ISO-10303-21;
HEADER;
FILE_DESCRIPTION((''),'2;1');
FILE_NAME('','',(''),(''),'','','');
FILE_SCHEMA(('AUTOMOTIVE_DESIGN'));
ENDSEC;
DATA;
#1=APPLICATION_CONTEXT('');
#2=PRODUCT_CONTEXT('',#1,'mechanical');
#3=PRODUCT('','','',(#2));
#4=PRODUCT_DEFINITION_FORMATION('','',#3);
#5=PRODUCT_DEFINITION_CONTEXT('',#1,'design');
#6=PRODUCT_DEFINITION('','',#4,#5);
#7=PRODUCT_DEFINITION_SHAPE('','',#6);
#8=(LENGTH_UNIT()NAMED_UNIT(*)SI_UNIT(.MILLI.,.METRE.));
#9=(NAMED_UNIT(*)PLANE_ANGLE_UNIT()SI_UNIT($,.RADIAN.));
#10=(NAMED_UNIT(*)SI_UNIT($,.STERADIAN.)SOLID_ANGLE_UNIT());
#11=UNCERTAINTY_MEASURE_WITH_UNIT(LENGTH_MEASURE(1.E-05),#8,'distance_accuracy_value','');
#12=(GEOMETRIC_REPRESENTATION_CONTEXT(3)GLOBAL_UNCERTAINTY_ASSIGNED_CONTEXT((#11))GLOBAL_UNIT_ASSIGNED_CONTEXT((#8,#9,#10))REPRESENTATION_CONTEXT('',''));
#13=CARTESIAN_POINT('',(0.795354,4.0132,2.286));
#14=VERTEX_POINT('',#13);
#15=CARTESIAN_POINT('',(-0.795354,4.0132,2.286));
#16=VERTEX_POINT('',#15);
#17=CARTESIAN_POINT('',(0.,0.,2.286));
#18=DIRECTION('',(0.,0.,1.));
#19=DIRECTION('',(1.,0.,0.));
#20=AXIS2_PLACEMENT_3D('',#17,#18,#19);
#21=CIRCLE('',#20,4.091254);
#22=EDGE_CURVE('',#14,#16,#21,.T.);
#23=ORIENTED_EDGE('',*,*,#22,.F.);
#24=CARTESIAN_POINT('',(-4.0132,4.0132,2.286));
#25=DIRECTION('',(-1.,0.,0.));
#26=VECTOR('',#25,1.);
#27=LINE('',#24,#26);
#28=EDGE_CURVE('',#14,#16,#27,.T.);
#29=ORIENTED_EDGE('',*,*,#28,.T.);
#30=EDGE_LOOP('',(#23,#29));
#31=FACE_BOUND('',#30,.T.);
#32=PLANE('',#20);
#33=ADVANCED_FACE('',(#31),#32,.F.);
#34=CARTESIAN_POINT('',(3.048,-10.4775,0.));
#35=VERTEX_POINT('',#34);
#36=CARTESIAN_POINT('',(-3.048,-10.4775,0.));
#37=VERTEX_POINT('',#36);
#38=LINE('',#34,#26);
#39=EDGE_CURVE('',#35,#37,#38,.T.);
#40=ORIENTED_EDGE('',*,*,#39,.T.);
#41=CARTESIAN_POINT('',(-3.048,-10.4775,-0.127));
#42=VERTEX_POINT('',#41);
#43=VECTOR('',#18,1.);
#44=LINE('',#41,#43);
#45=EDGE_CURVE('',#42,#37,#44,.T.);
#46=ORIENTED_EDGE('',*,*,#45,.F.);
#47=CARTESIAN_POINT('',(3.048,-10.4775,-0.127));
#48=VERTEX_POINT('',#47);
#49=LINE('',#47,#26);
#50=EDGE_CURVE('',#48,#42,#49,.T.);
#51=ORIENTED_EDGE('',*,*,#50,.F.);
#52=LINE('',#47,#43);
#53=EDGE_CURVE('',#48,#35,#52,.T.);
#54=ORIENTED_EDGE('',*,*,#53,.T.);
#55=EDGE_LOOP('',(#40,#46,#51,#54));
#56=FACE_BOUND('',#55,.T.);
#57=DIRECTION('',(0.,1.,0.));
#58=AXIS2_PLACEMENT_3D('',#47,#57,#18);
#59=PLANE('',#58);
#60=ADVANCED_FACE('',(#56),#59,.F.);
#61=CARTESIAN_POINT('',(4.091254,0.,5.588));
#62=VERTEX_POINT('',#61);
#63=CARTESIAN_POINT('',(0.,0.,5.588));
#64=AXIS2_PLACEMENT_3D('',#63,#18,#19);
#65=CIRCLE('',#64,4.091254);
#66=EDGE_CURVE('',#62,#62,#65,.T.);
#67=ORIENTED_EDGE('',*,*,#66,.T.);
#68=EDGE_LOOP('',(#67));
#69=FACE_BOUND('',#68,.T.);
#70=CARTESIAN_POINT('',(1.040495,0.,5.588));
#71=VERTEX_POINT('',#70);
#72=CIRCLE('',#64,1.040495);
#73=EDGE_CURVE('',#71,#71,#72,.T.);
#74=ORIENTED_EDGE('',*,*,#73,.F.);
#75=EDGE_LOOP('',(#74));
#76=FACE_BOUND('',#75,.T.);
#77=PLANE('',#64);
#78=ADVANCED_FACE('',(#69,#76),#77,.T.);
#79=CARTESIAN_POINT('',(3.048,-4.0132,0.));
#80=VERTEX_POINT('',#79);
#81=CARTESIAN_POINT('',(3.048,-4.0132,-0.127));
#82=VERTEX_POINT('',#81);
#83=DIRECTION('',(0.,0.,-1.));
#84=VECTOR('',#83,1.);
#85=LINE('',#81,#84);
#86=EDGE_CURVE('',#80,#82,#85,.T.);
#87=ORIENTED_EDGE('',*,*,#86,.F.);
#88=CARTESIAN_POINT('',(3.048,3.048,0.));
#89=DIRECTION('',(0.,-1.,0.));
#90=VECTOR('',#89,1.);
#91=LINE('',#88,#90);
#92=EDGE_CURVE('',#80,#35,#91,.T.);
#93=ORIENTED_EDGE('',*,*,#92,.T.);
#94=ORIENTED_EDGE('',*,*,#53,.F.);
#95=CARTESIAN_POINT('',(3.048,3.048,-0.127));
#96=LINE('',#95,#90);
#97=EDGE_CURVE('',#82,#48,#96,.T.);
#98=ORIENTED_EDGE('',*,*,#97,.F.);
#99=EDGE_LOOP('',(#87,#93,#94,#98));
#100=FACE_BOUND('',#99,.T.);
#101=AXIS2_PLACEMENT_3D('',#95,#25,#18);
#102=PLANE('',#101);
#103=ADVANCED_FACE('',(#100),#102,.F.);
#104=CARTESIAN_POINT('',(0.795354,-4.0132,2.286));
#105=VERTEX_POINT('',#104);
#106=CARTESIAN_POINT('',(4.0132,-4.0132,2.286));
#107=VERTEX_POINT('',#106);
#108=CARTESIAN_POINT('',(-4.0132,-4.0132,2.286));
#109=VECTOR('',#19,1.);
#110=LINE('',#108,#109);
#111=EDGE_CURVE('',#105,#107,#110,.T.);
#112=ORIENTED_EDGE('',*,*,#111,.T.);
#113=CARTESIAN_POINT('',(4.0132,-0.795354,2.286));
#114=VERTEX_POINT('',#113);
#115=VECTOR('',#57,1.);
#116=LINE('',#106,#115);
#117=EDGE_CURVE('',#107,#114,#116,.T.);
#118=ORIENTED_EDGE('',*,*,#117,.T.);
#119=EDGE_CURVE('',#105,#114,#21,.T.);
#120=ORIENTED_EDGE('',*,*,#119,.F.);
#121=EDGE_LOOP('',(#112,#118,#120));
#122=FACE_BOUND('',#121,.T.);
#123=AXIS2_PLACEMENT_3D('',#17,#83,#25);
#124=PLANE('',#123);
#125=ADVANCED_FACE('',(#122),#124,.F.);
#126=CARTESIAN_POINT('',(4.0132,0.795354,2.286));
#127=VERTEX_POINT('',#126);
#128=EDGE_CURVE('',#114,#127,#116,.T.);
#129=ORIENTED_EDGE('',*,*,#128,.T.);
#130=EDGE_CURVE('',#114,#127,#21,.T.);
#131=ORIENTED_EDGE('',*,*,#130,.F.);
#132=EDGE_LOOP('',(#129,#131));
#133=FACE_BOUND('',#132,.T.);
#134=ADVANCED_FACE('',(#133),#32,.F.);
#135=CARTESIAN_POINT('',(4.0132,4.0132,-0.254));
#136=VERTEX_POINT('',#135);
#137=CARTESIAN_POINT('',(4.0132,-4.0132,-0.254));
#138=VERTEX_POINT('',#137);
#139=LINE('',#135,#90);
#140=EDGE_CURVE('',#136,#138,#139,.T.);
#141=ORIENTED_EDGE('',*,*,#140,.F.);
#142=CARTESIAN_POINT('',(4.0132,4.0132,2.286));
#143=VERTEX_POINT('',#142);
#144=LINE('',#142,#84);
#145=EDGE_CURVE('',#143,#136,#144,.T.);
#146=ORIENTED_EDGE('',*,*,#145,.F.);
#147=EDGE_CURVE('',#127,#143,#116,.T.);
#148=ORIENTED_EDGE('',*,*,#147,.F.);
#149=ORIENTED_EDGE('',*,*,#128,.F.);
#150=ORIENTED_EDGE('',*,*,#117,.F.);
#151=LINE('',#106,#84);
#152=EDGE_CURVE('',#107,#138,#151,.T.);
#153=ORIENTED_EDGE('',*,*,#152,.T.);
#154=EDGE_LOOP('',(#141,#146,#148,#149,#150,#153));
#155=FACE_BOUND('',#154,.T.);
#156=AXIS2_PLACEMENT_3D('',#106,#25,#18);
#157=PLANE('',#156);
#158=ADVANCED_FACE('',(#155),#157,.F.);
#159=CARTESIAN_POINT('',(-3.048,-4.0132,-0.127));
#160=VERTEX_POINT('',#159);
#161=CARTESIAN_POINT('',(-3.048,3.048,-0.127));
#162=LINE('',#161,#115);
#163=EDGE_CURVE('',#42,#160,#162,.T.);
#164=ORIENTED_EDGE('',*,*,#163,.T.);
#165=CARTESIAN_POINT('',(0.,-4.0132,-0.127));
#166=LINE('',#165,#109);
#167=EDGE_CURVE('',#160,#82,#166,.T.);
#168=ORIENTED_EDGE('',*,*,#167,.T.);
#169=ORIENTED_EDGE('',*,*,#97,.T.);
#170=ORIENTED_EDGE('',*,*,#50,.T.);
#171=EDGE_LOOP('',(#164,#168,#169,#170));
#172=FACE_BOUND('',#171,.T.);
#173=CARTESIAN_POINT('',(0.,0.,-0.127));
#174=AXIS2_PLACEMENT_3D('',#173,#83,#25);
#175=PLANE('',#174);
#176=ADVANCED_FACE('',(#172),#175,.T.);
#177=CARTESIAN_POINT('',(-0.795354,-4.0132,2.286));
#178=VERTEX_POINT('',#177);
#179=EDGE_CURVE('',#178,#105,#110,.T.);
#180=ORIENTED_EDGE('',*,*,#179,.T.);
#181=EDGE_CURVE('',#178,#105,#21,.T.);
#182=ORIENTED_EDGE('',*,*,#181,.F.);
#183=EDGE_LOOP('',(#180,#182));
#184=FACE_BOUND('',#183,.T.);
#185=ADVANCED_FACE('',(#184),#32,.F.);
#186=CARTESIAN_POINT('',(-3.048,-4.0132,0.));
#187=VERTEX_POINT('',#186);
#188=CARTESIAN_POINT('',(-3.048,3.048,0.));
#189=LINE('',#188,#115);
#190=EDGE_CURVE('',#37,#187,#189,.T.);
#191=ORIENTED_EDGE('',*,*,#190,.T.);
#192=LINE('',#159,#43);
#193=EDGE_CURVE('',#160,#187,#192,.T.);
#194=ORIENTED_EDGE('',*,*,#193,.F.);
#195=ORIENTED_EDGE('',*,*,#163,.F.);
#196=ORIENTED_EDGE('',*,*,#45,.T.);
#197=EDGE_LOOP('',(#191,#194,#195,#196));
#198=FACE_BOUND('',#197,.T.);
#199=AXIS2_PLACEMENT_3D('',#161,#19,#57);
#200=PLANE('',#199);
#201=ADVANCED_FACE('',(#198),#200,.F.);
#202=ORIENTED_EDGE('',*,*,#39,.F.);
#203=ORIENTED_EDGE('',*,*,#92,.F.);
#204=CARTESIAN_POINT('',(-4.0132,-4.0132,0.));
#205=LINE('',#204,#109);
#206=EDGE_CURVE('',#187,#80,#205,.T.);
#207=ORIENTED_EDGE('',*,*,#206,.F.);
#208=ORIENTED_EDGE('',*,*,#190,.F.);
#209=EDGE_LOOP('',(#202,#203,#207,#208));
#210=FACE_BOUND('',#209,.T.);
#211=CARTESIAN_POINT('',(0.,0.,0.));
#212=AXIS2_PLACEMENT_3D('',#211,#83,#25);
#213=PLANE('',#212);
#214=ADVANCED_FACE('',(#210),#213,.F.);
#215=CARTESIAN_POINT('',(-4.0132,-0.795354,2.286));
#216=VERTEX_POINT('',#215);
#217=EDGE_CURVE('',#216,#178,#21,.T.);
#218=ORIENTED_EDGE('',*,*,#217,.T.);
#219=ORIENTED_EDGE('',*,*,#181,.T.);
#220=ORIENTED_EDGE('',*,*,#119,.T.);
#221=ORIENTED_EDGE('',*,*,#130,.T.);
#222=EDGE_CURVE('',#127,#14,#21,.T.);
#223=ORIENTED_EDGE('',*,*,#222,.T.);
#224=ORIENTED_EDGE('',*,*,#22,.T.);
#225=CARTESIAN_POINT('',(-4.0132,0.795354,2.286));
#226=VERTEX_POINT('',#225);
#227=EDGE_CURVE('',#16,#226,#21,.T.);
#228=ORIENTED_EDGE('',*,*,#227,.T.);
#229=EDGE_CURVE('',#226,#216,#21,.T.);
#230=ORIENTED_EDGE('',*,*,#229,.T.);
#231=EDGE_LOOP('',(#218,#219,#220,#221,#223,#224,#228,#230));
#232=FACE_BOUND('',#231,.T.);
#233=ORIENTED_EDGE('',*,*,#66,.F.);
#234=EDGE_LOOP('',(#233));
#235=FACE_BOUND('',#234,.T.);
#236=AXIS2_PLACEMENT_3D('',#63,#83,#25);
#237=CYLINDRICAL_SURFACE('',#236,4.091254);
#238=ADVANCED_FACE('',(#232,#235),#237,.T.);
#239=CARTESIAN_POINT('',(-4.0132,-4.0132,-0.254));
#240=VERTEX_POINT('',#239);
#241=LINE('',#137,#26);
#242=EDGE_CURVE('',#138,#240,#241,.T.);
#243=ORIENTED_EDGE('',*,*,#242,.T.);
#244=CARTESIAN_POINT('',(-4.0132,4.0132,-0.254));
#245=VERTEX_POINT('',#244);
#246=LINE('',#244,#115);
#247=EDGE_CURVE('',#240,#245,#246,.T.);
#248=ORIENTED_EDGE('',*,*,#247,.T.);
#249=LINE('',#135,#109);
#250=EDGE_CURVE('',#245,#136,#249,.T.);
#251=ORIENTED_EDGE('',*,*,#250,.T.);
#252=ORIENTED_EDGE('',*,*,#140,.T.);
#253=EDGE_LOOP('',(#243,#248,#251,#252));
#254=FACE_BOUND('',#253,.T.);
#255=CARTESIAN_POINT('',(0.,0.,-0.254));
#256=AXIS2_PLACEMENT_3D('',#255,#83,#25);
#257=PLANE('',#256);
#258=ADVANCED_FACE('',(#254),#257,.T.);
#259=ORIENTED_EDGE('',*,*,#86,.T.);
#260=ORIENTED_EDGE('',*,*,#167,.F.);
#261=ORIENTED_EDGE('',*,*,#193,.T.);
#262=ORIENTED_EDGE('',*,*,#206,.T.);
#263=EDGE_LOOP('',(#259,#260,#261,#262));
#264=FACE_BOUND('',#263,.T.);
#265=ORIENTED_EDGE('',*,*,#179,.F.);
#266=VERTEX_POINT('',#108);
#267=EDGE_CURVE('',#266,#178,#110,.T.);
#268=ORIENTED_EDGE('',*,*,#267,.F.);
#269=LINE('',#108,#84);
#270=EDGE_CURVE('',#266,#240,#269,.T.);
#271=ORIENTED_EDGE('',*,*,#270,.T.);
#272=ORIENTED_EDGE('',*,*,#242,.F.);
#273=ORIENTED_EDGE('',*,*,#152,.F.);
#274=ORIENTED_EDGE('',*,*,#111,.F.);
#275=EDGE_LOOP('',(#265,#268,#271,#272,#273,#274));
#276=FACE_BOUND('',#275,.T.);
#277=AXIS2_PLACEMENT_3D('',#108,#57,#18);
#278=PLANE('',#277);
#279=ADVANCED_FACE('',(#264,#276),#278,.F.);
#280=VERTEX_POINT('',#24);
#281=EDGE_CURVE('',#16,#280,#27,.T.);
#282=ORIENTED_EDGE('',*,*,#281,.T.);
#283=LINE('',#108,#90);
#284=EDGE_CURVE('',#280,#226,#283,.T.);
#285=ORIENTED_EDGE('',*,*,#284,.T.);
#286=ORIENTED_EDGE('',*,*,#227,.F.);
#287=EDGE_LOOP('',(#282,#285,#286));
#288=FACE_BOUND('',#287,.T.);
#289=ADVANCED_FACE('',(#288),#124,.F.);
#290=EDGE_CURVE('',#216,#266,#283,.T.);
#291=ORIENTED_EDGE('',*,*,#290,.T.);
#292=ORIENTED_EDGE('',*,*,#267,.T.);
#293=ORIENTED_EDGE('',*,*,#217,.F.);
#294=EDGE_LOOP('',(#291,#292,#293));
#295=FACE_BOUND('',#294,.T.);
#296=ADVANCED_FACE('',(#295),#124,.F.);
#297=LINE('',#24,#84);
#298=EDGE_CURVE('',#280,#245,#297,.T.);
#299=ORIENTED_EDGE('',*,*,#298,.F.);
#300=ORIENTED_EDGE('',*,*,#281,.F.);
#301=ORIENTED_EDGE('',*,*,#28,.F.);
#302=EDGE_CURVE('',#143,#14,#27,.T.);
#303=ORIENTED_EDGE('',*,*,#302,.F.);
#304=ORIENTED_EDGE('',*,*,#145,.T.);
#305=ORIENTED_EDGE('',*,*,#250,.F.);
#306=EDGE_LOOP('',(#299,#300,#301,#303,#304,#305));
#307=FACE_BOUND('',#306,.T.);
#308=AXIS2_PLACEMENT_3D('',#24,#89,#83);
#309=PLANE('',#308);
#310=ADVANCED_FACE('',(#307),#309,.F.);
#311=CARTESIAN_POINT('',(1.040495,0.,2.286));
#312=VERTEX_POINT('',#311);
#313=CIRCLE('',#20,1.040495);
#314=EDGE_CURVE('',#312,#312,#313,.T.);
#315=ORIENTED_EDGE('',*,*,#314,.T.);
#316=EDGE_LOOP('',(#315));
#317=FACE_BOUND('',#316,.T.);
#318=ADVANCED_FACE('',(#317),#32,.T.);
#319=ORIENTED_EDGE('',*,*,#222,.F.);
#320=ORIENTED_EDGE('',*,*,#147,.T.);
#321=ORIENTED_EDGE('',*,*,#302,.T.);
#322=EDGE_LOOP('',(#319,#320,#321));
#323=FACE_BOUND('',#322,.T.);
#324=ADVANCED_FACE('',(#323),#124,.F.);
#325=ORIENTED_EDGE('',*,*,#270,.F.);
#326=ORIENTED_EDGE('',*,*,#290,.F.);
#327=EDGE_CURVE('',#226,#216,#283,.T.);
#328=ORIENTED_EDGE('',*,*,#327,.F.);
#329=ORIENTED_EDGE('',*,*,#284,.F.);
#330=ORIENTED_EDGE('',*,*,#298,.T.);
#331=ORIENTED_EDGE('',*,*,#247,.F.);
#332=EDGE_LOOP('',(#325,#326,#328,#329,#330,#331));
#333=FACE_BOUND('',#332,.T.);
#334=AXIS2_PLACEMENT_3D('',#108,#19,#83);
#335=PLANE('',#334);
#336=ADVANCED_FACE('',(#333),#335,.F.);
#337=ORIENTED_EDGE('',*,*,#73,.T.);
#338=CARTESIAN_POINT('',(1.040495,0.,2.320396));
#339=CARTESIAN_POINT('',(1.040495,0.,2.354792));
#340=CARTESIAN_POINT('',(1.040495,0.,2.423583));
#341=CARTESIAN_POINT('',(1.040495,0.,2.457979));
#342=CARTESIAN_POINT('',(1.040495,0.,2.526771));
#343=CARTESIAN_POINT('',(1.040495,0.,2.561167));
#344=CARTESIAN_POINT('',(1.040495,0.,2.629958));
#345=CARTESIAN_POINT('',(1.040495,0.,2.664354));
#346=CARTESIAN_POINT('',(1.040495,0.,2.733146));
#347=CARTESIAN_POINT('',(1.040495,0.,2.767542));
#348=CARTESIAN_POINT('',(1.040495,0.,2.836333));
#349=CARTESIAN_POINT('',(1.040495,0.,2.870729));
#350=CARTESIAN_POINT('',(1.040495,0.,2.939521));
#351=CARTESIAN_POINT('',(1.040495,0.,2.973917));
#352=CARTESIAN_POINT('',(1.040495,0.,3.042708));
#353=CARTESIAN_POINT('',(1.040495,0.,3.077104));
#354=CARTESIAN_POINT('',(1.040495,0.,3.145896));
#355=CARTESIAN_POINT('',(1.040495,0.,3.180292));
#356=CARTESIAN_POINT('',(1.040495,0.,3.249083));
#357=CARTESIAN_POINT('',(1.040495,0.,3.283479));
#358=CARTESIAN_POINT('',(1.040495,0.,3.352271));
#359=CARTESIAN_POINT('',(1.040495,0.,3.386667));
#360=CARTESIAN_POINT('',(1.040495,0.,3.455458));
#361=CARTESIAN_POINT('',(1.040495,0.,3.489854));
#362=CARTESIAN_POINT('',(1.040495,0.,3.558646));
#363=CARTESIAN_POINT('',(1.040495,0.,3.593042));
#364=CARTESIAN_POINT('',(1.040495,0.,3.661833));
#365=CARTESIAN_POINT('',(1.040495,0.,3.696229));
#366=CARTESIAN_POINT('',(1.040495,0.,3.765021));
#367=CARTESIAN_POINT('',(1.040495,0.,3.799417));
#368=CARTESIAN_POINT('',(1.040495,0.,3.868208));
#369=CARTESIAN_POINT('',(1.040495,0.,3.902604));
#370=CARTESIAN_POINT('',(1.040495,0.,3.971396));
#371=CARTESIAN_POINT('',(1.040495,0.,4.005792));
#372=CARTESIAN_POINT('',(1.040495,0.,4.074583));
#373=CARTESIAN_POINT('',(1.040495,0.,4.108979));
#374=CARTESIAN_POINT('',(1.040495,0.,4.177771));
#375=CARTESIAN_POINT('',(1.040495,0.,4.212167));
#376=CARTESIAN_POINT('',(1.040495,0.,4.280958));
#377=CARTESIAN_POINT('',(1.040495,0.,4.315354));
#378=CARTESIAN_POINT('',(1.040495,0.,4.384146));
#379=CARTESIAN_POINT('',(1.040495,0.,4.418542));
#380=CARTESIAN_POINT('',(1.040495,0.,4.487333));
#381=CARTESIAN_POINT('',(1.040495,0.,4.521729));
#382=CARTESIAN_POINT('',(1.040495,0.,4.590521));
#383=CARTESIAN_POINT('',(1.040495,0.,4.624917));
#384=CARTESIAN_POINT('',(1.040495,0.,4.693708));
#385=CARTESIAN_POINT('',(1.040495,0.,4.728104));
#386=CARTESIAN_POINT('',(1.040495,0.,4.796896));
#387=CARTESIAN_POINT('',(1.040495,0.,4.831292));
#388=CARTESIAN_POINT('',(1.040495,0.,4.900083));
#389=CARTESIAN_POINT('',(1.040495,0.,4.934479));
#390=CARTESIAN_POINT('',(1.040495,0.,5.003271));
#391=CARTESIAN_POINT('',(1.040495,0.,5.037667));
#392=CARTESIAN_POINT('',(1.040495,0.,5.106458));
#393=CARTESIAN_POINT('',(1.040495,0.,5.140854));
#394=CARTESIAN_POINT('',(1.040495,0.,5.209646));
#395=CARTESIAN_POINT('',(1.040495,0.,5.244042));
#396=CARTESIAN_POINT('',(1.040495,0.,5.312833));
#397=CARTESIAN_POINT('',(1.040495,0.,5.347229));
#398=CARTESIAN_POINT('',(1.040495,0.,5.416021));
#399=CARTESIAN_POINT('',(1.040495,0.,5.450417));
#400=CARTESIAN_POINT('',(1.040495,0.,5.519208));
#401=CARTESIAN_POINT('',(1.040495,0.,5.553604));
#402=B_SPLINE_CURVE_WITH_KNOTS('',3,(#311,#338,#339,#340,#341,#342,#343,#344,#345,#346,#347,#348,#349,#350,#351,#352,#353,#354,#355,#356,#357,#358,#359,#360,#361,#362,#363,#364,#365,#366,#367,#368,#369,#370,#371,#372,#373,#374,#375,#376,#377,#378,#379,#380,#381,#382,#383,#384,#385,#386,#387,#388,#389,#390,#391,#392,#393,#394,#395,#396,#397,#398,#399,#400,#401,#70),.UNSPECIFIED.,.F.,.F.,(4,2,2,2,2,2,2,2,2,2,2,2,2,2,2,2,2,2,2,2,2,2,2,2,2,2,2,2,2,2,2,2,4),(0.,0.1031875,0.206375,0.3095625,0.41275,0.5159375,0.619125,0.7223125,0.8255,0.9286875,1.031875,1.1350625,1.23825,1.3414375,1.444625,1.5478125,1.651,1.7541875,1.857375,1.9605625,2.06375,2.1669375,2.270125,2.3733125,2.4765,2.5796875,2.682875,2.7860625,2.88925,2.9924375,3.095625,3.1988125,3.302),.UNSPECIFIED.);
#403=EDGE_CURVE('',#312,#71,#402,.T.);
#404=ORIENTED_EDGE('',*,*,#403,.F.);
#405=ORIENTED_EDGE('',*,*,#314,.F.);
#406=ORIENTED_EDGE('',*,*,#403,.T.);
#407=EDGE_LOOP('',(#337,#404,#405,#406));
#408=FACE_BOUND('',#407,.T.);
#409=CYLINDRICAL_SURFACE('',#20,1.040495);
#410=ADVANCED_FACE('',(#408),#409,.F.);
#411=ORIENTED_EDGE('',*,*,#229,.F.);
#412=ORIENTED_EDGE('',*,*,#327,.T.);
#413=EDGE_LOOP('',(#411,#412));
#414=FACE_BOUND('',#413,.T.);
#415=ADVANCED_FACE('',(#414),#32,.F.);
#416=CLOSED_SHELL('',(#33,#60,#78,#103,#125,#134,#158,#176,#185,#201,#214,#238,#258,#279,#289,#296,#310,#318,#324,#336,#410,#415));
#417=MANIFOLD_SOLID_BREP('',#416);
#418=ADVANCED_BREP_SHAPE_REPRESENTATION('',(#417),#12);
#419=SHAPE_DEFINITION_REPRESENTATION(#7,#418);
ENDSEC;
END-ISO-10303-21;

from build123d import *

# Parameters (mm, degrees)
SKETCH1_W           = 8.0264
SKETCH1_H           = 8.0264
BOSS_EXTRUDE1_DEPTH = 2.286
SKETCH2_R           = 4.091254354
BOSS_EXTRUDE2_DEPTH = 3.302
SKETCH3_R           = 1.040494651
CUT_EXTRUDE1_DEPTH  = 3.302
SKETCH8_W           = 6.096
SKETCH8_H           = 13.5255
BOSS_EXTRUDE6_DEPTH = 0.127
SKETCH9_W           = 8.0264
SKETCH9_H           = 8.0264
BOSS_EXTRUDE7_DEPTH = 0.254


with BuildPart() as part:
    # Sketch1 → Boss-Extrude1 (new body)
    with BuildSketch(Plane.XY):
        Rectangle(SKETCH1_W, SKETCH1_H)
    extrude(amount=BOSS_EXTRUDE1_DEPTH)

    # Sketch2 → Boss-Extrude2 (add)
    with BuildSketch(Plane.XY.offset(2.286)):
        with Locations(Location((0, 0, 0), (0, 0, 168.79012288))):
            Circle(SKETCH2_R)
    extrude(amount=BOSS_EXTRUDE2_DEPTH)

    # Sketch3 → Cut-Extrude1 (cut)
    with BuildSketch(Plane.XY.offset(5.588)):
        Circle(SKETCH3_R)
    extrude(amount=-CUT_EXTRUDE1_DEPTH, mode=Mode.SUBTRACT)

    # Sketch8 → Boss-Extrude6 (add)
    with BuildSketch(Plane(origin=(0, 0, 0), x_dir=(-1, 0, 0), z_dir=(0, 0, -1))):
        with Locations((0, -3.71475)):
            Rectangle(SKETCH8_W, SKETCH8_H)
    extrude(amount=BOSS_EXTRUDE6_DEPTH)

    # Sketch9 → Boss-Extrude7 (add)
    with BuildSketch(Plane(origin=(0, 0, 0), x_dir=(-1, 0, 0), z_dir=(0, 0, -1))):
        Rectangle(SKETCH9_W, SKETCH9_H)
    extrude(amount=BOSS_EXTRUDE7_DEPTH)


solid = part.part
